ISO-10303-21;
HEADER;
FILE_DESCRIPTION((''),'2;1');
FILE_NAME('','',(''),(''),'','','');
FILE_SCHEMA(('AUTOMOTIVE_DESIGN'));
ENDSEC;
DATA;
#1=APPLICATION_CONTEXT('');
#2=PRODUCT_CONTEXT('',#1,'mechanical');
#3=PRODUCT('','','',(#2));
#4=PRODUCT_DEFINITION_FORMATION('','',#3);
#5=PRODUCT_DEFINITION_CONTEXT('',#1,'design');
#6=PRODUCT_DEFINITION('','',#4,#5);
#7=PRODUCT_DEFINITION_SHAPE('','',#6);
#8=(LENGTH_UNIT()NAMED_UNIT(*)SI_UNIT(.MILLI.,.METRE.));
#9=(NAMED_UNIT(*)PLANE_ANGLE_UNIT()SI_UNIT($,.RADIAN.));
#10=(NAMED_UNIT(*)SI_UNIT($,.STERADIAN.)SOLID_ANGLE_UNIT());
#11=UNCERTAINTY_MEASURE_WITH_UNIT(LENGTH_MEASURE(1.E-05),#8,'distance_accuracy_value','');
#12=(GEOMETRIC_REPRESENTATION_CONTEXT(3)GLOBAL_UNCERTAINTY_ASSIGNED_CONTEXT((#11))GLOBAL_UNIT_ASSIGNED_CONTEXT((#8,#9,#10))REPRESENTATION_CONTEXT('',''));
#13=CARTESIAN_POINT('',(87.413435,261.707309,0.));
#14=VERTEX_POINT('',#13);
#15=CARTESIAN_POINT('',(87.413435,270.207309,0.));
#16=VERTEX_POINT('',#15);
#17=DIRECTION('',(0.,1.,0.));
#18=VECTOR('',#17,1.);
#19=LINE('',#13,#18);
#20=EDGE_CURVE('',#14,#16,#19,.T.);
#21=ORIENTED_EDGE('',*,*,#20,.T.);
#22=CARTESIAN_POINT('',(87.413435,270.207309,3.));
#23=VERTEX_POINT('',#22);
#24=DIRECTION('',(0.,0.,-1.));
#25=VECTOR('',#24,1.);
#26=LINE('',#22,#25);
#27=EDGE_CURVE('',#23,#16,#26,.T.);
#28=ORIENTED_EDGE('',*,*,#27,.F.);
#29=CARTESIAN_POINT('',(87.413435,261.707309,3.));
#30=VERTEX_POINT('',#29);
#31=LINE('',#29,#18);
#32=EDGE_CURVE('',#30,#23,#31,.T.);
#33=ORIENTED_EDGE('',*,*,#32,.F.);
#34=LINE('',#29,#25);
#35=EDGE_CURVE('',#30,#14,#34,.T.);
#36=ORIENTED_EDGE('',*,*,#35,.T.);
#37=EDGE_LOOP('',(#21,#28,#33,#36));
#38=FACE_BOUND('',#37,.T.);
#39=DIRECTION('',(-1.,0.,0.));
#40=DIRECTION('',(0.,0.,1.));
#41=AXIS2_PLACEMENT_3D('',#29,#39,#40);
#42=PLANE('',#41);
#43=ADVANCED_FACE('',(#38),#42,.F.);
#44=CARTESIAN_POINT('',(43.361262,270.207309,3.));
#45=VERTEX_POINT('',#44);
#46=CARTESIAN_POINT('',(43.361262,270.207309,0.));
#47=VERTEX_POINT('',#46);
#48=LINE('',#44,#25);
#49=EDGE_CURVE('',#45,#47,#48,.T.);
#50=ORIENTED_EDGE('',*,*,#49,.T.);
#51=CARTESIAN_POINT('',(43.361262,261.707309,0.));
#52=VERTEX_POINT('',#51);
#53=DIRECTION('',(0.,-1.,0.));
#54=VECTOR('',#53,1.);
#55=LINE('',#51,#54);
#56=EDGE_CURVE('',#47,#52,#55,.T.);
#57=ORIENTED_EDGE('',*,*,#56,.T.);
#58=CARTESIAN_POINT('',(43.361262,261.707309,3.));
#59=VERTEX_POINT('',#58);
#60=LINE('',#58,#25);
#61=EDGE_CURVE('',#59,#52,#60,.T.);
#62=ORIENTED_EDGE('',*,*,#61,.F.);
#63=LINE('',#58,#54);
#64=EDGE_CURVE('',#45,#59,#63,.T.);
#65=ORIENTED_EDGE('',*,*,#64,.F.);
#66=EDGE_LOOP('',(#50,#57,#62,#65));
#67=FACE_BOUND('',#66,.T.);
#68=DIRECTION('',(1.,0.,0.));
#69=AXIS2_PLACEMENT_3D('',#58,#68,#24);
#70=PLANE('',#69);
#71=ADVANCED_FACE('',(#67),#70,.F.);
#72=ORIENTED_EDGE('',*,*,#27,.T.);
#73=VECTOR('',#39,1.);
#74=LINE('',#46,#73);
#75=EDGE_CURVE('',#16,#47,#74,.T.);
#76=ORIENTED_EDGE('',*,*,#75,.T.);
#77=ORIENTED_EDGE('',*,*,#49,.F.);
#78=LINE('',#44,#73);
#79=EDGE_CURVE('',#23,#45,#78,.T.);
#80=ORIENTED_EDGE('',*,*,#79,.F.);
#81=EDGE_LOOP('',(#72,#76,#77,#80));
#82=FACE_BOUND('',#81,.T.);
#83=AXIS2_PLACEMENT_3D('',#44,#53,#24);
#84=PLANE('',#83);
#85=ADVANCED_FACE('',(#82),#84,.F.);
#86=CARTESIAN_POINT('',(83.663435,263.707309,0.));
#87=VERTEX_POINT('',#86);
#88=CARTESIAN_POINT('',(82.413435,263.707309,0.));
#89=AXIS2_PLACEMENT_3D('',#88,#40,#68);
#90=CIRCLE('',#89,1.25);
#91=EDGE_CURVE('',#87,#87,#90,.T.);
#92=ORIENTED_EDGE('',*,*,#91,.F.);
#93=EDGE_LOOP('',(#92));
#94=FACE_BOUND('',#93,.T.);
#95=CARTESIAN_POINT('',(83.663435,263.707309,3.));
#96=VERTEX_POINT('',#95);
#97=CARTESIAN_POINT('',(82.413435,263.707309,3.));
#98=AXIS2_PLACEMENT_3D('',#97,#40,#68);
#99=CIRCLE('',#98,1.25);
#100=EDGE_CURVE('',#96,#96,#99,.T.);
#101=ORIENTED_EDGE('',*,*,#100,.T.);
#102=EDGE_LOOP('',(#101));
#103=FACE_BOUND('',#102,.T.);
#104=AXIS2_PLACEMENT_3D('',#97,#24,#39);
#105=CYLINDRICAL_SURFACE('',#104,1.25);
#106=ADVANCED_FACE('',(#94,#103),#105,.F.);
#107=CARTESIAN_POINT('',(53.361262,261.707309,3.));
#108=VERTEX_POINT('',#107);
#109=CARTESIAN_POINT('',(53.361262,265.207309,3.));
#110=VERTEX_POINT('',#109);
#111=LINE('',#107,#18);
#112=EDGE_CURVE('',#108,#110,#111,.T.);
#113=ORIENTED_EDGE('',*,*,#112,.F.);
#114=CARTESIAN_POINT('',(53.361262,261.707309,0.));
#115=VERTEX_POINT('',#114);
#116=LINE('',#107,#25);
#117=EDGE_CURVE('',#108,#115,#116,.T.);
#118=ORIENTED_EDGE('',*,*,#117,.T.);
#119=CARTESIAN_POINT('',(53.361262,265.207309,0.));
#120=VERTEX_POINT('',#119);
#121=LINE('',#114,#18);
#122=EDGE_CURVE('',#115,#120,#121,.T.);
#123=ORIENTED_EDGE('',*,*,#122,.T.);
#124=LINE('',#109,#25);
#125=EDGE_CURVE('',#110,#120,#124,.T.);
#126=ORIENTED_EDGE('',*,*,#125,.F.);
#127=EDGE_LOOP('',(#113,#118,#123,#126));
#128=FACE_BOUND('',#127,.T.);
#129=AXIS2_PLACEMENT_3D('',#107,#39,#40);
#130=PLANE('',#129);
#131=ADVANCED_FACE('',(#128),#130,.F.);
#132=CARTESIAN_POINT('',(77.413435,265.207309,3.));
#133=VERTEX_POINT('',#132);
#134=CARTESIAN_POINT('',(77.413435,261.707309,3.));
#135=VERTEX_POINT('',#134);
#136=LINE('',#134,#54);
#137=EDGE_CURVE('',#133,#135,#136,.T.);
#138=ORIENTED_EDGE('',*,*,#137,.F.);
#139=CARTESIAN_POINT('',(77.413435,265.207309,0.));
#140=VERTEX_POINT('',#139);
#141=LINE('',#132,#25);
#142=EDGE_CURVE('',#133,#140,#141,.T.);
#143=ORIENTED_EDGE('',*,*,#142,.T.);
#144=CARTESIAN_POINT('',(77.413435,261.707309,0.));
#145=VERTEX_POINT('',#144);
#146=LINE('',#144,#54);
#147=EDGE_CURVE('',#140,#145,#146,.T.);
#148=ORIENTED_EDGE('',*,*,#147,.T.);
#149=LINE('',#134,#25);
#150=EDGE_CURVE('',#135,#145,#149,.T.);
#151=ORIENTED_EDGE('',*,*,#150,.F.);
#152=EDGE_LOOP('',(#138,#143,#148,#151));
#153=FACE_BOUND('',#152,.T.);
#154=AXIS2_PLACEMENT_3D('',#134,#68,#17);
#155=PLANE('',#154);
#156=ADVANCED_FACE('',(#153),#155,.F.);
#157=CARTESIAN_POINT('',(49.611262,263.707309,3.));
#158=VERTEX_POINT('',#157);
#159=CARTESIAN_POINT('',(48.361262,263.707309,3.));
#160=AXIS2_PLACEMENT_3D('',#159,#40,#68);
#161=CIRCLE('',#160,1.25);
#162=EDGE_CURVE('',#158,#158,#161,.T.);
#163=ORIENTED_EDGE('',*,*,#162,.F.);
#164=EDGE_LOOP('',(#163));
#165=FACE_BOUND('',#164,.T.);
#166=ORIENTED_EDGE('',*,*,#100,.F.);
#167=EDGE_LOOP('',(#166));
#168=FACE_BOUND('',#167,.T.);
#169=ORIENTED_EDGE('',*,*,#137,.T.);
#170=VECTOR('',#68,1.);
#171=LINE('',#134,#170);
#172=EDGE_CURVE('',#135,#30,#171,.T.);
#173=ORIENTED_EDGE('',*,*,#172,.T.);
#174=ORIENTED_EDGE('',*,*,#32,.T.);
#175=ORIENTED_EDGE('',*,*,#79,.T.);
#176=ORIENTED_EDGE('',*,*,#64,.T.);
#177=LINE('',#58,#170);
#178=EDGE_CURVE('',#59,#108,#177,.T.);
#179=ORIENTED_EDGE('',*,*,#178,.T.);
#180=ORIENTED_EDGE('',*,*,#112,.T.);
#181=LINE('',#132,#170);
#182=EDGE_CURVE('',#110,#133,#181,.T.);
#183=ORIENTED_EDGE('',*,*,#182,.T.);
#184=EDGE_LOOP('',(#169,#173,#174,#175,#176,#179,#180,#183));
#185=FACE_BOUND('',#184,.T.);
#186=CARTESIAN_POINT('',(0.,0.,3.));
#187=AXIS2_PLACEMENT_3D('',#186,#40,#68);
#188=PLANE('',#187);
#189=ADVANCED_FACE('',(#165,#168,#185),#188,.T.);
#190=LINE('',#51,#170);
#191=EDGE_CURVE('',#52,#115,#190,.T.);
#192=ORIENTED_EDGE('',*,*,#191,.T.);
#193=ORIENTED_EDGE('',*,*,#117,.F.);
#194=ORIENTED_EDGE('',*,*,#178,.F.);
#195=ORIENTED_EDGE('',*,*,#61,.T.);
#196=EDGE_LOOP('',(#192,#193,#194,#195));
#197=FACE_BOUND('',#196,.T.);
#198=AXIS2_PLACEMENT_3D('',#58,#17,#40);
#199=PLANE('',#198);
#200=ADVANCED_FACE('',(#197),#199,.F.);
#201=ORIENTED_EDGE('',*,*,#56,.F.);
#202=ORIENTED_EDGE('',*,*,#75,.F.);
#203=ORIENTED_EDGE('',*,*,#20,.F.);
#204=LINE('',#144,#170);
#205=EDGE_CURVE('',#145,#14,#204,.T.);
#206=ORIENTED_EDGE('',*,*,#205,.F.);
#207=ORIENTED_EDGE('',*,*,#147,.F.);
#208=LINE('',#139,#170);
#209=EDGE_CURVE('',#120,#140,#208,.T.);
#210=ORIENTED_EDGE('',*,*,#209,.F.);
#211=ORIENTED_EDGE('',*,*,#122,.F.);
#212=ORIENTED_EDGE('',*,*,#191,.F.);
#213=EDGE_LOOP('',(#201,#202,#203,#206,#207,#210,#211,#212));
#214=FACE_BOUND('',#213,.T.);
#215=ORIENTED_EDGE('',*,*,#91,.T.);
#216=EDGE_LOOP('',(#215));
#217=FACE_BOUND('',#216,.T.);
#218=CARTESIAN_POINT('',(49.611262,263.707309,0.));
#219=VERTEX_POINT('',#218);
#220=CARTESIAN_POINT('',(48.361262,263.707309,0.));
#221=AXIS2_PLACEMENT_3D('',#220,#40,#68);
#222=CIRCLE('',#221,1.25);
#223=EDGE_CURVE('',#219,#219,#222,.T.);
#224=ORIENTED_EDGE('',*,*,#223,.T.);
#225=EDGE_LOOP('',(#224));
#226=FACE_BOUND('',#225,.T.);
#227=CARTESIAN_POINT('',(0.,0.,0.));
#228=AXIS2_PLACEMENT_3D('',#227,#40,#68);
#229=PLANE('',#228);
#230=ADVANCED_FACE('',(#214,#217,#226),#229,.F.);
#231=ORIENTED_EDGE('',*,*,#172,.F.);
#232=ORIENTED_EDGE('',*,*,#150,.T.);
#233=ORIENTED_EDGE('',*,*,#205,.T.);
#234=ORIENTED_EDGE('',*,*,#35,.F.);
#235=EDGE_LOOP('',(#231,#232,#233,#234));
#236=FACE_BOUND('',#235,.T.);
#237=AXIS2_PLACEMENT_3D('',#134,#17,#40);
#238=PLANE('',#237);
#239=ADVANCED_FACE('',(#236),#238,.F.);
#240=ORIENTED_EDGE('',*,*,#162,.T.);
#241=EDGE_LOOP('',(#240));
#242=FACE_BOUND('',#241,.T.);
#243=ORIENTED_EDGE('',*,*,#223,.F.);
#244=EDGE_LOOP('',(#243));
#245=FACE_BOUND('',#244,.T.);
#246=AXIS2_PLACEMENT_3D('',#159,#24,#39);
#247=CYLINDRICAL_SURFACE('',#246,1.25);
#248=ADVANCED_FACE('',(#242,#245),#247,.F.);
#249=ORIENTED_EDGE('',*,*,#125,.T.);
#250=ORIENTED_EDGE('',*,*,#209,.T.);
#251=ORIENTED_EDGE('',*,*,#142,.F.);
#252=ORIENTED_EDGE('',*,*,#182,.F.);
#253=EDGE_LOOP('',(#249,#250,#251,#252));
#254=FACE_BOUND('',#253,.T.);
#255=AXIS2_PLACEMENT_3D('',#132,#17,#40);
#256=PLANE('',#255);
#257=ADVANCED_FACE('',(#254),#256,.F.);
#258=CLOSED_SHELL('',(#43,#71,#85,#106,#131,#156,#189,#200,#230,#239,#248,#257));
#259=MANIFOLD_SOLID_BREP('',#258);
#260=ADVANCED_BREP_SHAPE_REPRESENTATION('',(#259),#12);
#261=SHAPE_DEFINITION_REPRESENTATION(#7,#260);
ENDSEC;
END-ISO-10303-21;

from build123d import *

# Parameters (mm, degrees)
SKETCH1_R           = 1.25
BOSS_EXTRUDE1_DEPTH = 3


with BuildPart() as part:
    # Sketch1 → Boss-Extrude1 (new body)
    with BuildSketch(Plane.XY):
        Polygon((87.413435463, 261.707308564), (87.413435463, 270.207308564), (43.361262213, 270.207308564), (43.361262213, 261.707308564), (53.361262213, 261.707308564), (53.361262213, 265.207308564), (77.413435463, 265.207308564), (77.413435463, 261.707308564), align=None)
        with Locations((48.361262213, 263.707308564)):
            Circle(SKETCH1_R, mode=Mode.SUBTRACT)
        with Locations((82.413435463, 263.707308564)):
            Circle(SKETCH1_R, mode=Mode.SUBTRACT)
    extrude(amount=BOSS_EXTRUDE1_DEPTH)


solid = part.part
